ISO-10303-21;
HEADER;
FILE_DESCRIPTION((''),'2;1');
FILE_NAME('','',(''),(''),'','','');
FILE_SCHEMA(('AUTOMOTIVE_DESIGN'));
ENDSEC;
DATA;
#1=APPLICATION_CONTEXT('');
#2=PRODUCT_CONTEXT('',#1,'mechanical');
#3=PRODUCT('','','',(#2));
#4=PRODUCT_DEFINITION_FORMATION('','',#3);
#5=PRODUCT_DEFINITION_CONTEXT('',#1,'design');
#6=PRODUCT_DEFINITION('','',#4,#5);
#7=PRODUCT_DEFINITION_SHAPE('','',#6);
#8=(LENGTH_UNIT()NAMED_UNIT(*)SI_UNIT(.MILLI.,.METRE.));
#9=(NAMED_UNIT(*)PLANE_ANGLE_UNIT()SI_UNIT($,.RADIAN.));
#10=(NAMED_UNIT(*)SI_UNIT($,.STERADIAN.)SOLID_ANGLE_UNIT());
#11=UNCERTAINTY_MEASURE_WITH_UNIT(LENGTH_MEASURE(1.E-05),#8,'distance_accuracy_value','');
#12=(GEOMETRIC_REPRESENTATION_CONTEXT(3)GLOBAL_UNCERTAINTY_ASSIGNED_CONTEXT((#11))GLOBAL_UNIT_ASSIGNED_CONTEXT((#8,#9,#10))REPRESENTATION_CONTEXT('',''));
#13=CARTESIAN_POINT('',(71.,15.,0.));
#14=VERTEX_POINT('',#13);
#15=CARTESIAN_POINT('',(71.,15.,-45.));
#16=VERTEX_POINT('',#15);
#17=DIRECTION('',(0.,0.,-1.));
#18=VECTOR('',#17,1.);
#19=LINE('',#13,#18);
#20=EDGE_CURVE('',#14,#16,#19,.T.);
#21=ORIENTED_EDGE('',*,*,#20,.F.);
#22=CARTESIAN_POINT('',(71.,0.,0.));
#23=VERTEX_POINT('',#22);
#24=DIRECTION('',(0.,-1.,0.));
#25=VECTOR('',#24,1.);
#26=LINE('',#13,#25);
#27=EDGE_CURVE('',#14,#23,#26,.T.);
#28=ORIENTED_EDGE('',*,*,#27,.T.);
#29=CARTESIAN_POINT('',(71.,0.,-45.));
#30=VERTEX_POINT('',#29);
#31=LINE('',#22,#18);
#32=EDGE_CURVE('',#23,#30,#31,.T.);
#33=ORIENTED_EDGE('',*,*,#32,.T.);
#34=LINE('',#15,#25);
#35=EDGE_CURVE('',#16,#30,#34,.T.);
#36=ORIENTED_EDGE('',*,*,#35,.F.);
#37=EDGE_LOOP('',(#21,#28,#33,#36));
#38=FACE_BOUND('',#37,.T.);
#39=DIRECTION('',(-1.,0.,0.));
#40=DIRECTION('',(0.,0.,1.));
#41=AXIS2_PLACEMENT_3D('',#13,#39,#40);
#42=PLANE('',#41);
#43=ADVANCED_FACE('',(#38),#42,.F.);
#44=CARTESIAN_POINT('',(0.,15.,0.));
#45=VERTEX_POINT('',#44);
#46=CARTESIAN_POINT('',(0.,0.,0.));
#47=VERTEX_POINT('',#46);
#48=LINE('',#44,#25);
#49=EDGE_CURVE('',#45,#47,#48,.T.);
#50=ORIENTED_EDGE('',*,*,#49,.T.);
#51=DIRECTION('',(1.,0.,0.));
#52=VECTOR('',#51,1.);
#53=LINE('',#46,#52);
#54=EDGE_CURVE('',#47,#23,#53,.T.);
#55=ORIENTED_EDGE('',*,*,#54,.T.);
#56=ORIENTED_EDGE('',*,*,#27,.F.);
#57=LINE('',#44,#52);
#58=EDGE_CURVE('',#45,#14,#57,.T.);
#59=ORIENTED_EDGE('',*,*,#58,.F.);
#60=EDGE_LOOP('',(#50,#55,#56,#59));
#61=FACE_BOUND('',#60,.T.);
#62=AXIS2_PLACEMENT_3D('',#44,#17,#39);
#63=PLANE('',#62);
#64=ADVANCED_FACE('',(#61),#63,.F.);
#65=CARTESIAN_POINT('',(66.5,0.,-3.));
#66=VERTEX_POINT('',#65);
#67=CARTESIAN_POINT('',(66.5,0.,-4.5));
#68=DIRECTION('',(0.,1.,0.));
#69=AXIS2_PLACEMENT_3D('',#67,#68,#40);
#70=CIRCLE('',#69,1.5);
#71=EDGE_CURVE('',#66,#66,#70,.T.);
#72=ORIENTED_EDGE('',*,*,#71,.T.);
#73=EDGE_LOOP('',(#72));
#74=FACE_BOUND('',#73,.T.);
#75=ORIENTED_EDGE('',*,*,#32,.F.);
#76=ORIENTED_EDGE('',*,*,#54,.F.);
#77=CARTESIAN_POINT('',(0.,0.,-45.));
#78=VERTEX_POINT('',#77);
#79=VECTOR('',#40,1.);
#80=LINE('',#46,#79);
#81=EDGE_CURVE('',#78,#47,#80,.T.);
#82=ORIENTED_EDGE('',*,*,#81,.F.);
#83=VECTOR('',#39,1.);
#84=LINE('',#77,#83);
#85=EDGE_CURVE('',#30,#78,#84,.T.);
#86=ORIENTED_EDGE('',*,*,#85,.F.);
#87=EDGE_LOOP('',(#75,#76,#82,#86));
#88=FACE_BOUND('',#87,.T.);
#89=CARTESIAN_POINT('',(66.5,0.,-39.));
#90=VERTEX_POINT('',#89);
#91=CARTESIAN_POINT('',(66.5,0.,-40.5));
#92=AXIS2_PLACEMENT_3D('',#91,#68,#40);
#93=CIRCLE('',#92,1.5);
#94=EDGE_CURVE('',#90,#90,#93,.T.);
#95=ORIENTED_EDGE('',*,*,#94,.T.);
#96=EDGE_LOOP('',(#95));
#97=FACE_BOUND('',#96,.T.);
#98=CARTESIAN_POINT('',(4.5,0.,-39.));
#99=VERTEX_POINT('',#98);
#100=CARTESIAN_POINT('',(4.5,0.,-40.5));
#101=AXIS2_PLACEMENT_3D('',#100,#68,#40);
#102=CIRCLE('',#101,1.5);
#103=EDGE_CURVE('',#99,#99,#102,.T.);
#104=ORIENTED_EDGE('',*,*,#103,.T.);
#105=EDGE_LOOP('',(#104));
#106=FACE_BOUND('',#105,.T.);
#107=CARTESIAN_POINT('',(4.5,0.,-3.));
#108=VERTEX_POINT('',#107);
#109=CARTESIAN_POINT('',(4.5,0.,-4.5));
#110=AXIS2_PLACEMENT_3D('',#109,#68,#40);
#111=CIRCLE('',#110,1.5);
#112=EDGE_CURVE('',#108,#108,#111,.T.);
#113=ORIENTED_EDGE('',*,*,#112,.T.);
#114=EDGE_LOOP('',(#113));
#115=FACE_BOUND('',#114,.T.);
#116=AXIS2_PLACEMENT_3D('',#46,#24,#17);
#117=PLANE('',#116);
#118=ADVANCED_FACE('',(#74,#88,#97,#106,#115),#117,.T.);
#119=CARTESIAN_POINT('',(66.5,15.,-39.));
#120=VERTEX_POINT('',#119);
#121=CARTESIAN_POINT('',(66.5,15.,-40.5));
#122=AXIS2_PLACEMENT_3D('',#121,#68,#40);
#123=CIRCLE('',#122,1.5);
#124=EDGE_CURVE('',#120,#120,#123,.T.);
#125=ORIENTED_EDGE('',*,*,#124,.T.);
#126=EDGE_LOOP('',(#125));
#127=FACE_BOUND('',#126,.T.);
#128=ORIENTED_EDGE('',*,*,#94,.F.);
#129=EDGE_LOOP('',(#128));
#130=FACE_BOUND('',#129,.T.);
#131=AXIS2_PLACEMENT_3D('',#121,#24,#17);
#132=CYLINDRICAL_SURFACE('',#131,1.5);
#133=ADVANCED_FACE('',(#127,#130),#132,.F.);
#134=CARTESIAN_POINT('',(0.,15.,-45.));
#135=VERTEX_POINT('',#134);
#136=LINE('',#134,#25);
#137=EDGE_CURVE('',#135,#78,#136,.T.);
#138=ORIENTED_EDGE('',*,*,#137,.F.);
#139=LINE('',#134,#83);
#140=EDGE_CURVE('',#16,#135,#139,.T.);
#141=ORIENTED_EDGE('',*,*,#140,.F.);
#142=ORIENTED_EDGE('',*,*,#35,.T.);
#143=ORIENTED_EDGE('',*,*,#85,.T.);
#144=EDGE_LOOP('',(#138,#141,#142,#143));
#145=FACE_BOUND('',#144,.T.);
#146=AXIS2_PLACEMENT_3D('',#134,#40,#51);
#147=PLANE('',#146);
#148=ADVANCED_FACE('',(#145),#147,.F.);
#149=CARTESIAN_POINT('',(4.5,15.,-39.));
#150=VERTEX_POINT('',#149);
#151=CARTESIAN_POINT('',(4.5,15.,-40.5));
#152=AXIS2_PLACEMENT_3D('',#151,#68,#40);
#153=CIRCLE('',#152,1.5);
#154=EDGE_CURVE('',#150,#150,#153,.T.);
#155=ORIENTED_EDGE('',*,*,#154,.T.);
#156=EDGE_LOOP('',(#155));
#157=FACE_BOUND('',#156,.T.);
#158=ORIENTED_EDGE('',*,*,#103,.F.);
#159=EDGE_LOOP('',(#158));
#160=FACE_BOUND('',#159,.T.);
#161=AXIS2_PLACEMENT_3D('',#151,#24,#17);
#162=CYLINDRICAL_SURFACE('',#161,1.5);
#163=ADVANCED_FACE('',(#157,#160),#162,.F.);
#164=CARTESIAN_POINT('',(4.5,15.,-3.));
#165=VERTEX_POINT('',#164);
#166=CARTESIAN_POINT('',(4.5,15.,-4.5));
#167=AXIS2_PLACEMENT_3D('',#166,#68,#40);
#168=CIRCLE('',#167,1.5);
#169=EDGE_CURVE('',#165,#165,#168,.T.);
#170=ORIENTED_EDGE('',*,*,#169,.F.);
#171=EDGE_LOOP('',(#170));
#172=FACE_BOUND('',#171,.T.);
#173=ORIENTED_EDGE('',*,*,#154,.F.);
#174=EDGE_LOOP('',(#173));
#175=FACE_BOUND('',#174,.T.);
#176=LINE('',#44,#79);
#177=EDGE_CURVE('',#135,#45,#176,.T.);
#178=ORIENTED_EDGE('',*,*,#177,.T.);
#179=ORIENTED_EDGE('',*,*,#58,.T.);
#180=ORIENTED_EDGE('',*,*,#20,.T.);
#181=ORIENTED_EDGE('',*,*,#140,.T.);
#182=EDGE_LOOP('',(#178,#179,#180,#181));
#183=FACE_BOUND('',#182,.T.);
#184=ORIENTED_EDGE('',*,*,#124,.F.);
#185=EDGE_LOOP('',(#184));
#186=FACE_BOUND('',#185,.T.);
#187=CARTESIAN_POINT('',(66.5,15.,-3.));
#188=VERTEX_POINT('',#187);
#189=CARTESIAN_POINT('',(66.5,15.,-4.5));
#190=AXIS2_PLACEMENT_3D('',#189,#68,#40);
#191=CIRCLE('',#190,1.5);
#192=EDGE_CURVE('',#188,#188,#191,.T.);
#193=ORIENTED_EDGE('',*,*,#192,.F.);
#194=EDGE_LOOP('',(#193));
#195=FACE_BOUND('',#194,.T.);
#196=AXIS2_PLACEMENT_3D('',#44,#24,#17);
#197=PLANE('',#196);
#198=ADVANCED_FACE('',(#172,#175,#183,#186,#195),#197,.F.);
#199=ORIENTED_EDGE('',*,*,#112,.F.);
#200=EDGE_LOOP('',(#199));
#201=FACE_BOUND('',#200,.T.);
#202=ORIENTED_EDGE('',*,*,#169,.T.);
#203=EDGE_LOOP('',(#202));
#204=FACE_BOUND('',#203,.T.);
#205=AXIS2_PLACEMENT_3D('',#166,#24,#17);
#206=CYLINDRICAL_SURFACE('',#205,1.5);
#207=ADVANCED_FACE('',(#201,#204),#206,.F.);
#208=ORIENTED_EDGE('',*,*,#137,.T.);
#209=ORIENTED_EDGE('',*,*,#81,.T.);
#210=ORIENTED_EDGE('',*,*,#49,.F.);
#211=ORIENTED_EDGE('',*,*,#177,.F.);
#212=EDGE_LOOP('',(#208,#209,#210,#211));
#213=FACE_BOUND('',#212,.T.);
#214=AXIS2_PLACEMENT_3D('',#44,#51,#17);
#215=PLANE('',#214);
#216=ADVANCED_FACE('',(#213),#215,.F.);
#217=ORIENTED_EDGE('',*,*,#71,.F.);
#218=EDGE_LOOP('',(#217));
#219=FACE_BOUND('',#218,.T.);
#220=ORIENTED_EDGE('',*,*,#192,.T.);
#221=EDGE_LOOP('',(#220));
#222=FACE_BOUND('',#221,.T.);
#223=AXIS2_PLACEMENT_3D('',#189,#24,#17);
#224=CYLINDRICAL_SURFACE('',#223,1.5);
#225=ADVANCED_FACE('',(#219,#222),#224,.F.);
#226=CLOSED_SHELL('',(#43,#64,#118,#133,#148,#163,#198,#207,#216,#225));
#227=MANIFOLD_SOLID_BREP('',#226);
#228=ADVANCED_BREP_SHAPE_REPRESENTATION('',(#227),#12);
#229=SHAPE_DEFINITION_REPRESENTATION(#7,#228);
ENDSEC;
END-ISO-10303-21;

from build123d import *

# Parameters (mm, degrees)
SKETCH_1_W      = 71
SKETCH_1_H      = 45
SKETCH_1_R      = 1.5
EXTRUDE_1_DEPTH = 15


with BuildPart() as part:
    # 草图1 → 凸台-拉伸1 (new body)
    with BuildSketch(Plane(origin=(0, 0, 0), x_dir=(1, 0, 0), z_dir=(0, 1, 0))):
        with Locations((35.5, 22.5)):
            Rectangle(SKETCH_1_W, SKETCH_1_H)
        with Locations(Location((4.5, 4.5, 0), (0, 0, 270))):
            Circle(SKETCH_1_R, mode=Mode.SUBTRACT)
        with Locations(Location((4.5, 40.5, 0), (0, 0, 270))):
            Circle(SKETCH_1_R, mode=Mode.SUBTRACT)
        with Locations(Location((66.5, 40.5, 0), (0, 0, 270))):
            Circle(SKETCH_1_R, mode=Mode.SUBTRACT)
        with Locations(Location((66.5, 4.5, 0), (0, 0, 270))):
            Circle(SKETCH_1_R, mode=Mode.SUBTRACT)
    extrude(amount=EXTRUDE_1_DEPTH)


solid = part.part
